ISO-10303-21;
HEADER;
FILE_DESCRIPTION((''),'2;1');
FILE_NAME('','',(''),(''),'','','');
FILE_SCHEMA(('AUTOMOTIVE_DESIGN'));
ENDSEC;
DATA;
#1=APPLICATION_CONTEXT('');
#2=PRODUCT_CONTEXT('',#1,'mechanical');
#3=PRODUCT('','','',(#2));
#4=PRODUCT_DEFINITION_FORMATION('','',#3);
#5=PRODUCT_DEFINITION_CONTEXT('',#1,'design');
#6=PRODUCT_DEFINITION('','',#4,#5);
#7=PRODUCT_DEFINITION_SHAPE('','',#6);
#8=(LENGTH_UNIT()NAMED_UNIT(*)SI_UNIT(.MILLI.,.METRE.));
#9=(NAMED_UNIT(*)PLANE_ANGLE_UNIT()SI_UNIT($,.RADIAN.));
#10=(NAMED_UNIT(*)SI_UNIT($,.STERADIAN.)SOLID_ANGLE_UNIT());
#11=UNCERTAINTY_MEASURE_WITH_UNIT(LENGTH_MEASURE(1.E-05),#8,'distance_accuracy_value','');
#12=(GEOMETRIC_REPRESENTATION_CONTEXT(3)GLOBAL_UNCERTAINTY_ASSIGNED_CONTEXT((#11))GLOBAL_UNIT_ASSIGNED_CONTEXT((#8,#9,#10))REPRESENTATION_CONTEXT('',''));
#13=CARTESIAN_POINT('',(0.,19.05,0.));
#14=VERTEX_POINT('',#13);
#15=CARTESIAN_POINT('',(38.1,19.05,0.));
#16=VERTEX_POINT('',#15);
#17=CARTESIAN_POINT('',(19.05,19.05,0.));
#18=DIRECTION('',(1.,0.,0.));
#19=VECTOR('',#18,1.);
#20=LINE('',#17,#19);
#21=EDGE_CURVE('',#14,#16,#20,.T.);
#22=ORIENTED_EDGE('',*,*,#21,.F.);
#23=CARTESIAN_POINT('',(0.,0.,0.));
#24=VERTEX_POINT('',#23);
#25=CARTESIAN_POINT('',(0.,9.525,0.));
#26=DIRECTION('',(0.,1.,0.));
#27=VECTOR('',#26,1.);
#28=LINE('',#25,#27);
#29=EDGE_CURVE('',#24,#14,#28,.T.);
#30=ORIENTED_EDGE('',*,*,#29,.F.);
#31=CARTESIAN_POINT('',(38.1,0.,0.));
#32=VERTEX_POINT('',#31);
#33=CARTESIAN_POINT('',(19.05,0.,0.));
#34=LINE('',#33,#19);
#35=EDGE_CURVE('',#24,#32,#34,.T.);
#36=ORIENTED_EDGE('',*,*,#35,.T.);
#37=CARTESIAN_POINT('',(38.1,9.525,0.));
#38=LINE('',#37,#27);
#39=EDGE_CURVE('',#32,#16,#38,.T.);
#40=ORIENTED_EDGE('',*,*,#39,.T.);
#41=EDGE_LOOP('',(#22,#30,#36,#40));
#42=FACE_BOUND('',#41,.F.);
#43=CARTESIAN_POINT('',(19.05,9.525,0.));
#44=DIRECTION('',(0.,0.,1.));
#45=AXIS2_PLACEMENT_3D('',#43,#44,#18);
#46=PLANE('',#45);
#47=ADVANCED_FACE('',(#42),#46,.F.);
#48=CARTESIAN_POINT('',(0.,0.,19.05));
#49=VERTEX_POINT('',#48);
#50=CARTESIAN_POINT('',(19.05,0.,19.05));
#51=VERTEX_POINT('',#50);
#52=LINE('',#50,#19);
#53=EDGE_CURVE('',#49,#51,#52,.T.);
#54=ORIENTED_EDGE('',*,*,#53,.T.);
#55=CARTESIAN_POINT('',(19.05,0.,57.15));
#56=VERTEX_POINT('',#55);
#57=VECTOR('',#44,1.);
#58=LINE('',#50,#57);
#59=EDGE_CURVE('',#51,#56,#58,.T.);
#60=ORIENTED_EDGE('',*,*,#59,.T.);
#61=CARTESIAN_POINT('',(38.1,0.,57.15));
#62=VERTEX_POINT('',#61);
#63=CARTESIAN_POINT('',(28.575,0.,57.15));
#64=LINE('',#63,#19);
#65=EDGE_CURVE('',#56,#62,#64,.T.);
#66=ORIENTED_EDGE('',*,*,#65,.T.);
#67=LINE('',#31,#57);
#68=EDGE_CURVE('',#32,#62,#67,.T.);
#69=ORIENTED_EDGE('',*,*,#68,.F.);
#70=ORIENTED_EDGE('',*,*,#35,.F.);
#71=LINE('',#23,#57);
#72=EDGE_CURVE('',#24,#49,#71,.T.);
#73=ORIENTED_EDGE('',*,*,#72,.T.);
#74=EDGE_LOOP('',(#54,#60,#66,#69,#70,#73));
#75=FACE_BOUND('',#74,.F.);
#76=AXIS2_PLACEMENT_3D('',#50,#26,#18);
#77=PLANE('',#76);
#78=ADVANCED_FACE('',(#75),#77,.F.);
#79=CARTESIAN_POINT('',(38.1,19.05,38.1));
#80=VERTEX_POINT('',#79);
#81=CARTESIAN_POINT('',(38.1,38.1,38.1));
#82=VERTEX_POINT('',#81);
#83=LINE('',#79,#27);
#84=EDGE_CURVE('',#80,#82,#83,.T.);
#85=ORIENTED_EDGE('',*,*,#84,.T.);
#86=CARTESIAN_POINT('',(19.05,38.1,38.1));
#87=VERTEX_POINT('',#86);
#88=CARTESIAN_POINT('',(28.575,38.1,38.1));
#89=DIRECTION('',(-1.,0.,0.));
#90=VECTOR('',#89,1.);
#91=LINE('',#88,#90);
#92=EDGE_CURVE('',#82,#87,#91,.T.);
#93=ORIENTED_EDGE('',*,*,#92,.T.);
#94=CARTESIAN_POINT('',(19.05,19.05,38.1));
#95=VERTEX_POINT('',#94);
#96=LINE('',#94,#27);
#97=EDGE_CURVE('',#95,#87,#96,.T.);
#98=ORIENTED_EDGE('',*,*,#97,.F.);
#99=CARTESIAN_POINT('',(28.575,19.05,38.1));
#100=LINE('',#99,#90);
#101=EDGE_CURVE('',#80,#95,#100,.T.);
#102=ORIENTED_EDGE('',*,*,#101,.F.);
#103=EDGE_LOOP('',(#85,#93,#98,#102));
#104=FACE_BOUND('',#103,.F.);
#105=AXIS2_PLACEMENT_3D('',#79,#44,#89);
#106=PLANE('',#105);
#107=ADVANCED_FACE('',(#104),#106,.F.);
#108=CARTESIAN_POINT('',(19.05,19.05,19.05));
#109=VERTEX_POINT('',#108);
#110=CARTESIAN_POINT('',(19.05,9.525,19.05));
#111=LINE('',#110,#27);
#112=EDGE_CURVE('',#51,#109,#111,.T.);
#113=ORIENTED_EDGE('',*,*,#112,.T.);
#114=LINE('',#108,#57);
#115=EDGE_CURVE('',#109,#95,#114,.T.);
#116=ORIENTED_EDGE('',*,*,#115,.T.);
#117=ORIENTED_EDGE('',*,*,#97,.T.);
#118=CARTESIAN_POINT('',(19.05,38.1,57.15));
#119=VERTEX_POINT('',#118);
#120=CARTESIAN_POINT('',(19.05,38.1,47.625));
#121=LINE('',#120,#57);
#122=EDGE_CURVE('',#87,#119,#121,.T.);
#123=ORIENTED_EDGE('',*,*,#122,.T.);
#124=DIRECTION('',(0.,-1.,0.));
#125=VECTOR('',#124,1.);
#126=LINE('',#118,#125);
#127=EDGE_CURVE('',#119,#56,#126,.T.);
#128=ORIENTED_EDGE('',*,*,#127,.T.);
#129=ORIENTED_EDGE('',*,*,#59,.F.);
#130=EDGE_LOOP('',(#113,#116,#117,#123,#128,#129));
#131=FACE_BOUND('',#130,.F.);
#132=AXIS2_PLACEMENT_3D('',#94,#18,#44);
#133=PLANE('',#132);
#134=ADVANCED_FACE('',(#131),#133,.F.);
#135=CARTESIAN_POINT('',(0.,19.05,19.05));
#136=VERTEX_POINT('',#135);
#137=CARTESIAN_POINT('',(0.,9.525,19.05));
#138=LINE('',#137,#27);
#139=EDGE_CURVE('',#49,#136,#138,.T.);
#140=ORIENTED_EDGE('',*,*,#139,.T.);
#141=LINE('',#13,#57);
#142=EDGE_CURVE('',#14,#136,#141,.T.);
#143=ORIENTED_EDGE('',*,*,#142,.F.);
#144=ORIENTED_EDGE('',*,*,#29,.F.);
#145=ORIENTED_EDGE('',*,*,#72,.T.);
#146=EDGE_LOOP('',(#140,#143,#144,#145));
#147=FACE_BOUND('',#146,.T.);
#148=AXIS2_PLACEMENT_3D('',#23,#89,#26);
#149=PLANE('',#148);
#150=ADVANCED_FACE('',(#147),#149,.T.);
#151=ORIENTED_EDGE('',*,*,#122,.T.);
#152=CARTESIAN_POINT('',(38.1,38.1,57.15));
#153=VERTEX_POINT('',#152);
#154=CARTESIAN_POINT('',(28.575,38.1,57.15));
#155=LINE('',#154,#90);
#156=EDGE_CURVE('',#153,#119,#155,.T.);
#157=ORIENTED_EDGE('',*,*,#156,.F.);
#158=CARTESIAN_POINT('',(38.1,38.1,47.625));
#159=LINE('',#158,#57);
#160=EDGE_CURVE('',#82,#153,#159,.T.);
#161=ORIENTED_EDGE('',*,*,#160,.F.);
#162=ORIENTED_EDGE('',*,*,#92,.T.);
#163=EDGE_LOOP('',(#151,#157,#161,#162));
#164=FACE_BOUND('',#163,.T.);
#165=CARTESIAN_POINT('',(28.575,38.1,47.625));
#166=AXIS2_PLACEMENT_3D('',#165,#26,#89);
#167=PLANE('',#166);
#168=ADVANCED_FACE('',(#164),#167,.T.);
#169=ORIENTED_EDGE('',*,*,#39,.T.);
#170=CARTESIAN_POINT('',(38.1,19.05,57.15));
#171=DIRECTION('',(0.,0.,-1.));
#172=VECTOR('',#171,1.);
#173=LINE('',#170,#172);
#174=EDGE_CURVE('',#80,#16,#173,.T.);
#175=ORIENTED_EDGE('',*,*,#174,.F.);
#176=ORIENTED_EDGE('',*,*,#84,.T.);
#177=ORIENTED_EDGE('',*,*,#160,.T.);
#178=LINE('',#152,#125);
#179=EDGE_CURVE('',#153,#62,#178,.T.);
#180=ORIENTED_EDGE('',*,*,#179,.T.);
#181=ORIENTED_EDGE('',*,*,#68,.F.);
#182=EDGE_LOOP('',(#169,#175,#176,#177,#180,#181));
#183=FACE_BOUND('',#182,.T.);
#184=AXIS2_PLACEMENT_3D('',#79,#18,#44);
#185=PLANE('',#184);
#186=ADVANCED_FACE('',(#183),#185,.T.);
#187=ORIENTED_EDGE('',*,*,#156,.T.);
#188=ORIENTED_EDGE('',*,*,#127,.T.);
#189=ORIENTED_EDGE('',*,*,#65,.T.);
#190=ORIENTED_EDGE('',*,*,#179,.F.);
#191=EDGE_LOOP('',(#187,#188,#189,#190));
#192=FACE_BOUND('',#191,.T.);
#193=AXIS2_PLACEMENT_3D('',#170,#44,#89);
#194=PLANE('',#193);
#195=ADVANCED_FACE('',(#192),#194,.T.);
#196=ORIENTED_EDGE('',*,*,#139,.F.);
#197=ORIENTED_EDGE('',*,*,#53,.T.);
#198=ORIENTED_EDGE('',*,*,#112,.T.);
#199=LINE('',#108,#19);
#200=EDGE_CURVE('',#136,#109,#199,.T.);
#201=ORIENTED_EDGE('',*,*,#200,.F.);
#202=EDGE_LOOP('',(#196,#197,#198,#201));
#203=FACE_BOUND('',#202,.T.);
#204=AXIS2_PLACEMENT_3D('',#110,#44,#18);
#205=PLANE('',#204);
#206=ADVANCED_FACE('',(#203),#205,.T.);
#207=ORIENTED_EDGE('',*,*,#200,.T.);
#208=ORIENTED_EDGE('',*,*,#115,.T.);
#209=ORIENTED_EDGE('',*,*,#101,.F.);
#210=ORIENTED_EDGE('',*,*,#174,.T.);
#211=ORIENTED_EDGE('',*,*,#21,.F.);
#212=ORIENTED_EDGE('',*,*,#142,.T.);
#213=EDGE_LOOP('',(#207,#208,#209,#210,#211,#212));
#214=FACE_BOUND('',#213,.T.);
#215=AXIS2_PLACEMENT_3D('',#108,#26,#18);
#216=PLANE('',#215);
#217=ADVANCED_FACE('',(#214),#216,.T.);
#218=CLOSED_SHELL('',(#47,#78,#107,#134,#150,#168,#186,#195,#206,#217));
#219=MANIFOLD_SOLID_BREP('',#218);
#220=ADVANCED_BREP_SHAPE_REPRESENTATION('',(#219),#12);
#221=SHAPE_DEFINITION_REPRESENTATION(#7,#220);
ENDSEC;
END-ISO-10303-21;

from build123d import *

# Parameters (mm, degrees)
F0_W     = 38.1
F0_H     = 19.05
F1_DEPTH = 19.05
F2_W     = 19.05
F2_H     = 19.05
F3_DEPTH = 38.1
F4_W     = 19.05
F4_H     = 19.05
F5_DEPTH = 19.05


with BuildPart() as f1:
    # F0 (on Top) → F1 (new body)
    with BuildSketch(Plane.XY):
        with Locations((19.05, 9.525)):
            Rectangle(F0_W, F0_H)
    extrude(amount=F1_DEPTH)

    # F2 (on face) → F3 (join)
    with BuildSketch(Plane.XY.offset(19.05)):
        with Locations((28.575, 9.525)):
            Rectangle(F2_W, F2_H)
    extrude(amount=F3_DEPTH)

    # F4 (on face) → F5 (join)
    with BuildSketch(Plane(origin=(0, 19.05, 0), x_dir=(-1, 0, 0), z_dir=(0, 1, 0))):
        with Locations((-28.575, 47.625)):
            Rectangle(F4_W, F4_H)
    extrude(amount=F5_DEPTH)


solid = f1.part
